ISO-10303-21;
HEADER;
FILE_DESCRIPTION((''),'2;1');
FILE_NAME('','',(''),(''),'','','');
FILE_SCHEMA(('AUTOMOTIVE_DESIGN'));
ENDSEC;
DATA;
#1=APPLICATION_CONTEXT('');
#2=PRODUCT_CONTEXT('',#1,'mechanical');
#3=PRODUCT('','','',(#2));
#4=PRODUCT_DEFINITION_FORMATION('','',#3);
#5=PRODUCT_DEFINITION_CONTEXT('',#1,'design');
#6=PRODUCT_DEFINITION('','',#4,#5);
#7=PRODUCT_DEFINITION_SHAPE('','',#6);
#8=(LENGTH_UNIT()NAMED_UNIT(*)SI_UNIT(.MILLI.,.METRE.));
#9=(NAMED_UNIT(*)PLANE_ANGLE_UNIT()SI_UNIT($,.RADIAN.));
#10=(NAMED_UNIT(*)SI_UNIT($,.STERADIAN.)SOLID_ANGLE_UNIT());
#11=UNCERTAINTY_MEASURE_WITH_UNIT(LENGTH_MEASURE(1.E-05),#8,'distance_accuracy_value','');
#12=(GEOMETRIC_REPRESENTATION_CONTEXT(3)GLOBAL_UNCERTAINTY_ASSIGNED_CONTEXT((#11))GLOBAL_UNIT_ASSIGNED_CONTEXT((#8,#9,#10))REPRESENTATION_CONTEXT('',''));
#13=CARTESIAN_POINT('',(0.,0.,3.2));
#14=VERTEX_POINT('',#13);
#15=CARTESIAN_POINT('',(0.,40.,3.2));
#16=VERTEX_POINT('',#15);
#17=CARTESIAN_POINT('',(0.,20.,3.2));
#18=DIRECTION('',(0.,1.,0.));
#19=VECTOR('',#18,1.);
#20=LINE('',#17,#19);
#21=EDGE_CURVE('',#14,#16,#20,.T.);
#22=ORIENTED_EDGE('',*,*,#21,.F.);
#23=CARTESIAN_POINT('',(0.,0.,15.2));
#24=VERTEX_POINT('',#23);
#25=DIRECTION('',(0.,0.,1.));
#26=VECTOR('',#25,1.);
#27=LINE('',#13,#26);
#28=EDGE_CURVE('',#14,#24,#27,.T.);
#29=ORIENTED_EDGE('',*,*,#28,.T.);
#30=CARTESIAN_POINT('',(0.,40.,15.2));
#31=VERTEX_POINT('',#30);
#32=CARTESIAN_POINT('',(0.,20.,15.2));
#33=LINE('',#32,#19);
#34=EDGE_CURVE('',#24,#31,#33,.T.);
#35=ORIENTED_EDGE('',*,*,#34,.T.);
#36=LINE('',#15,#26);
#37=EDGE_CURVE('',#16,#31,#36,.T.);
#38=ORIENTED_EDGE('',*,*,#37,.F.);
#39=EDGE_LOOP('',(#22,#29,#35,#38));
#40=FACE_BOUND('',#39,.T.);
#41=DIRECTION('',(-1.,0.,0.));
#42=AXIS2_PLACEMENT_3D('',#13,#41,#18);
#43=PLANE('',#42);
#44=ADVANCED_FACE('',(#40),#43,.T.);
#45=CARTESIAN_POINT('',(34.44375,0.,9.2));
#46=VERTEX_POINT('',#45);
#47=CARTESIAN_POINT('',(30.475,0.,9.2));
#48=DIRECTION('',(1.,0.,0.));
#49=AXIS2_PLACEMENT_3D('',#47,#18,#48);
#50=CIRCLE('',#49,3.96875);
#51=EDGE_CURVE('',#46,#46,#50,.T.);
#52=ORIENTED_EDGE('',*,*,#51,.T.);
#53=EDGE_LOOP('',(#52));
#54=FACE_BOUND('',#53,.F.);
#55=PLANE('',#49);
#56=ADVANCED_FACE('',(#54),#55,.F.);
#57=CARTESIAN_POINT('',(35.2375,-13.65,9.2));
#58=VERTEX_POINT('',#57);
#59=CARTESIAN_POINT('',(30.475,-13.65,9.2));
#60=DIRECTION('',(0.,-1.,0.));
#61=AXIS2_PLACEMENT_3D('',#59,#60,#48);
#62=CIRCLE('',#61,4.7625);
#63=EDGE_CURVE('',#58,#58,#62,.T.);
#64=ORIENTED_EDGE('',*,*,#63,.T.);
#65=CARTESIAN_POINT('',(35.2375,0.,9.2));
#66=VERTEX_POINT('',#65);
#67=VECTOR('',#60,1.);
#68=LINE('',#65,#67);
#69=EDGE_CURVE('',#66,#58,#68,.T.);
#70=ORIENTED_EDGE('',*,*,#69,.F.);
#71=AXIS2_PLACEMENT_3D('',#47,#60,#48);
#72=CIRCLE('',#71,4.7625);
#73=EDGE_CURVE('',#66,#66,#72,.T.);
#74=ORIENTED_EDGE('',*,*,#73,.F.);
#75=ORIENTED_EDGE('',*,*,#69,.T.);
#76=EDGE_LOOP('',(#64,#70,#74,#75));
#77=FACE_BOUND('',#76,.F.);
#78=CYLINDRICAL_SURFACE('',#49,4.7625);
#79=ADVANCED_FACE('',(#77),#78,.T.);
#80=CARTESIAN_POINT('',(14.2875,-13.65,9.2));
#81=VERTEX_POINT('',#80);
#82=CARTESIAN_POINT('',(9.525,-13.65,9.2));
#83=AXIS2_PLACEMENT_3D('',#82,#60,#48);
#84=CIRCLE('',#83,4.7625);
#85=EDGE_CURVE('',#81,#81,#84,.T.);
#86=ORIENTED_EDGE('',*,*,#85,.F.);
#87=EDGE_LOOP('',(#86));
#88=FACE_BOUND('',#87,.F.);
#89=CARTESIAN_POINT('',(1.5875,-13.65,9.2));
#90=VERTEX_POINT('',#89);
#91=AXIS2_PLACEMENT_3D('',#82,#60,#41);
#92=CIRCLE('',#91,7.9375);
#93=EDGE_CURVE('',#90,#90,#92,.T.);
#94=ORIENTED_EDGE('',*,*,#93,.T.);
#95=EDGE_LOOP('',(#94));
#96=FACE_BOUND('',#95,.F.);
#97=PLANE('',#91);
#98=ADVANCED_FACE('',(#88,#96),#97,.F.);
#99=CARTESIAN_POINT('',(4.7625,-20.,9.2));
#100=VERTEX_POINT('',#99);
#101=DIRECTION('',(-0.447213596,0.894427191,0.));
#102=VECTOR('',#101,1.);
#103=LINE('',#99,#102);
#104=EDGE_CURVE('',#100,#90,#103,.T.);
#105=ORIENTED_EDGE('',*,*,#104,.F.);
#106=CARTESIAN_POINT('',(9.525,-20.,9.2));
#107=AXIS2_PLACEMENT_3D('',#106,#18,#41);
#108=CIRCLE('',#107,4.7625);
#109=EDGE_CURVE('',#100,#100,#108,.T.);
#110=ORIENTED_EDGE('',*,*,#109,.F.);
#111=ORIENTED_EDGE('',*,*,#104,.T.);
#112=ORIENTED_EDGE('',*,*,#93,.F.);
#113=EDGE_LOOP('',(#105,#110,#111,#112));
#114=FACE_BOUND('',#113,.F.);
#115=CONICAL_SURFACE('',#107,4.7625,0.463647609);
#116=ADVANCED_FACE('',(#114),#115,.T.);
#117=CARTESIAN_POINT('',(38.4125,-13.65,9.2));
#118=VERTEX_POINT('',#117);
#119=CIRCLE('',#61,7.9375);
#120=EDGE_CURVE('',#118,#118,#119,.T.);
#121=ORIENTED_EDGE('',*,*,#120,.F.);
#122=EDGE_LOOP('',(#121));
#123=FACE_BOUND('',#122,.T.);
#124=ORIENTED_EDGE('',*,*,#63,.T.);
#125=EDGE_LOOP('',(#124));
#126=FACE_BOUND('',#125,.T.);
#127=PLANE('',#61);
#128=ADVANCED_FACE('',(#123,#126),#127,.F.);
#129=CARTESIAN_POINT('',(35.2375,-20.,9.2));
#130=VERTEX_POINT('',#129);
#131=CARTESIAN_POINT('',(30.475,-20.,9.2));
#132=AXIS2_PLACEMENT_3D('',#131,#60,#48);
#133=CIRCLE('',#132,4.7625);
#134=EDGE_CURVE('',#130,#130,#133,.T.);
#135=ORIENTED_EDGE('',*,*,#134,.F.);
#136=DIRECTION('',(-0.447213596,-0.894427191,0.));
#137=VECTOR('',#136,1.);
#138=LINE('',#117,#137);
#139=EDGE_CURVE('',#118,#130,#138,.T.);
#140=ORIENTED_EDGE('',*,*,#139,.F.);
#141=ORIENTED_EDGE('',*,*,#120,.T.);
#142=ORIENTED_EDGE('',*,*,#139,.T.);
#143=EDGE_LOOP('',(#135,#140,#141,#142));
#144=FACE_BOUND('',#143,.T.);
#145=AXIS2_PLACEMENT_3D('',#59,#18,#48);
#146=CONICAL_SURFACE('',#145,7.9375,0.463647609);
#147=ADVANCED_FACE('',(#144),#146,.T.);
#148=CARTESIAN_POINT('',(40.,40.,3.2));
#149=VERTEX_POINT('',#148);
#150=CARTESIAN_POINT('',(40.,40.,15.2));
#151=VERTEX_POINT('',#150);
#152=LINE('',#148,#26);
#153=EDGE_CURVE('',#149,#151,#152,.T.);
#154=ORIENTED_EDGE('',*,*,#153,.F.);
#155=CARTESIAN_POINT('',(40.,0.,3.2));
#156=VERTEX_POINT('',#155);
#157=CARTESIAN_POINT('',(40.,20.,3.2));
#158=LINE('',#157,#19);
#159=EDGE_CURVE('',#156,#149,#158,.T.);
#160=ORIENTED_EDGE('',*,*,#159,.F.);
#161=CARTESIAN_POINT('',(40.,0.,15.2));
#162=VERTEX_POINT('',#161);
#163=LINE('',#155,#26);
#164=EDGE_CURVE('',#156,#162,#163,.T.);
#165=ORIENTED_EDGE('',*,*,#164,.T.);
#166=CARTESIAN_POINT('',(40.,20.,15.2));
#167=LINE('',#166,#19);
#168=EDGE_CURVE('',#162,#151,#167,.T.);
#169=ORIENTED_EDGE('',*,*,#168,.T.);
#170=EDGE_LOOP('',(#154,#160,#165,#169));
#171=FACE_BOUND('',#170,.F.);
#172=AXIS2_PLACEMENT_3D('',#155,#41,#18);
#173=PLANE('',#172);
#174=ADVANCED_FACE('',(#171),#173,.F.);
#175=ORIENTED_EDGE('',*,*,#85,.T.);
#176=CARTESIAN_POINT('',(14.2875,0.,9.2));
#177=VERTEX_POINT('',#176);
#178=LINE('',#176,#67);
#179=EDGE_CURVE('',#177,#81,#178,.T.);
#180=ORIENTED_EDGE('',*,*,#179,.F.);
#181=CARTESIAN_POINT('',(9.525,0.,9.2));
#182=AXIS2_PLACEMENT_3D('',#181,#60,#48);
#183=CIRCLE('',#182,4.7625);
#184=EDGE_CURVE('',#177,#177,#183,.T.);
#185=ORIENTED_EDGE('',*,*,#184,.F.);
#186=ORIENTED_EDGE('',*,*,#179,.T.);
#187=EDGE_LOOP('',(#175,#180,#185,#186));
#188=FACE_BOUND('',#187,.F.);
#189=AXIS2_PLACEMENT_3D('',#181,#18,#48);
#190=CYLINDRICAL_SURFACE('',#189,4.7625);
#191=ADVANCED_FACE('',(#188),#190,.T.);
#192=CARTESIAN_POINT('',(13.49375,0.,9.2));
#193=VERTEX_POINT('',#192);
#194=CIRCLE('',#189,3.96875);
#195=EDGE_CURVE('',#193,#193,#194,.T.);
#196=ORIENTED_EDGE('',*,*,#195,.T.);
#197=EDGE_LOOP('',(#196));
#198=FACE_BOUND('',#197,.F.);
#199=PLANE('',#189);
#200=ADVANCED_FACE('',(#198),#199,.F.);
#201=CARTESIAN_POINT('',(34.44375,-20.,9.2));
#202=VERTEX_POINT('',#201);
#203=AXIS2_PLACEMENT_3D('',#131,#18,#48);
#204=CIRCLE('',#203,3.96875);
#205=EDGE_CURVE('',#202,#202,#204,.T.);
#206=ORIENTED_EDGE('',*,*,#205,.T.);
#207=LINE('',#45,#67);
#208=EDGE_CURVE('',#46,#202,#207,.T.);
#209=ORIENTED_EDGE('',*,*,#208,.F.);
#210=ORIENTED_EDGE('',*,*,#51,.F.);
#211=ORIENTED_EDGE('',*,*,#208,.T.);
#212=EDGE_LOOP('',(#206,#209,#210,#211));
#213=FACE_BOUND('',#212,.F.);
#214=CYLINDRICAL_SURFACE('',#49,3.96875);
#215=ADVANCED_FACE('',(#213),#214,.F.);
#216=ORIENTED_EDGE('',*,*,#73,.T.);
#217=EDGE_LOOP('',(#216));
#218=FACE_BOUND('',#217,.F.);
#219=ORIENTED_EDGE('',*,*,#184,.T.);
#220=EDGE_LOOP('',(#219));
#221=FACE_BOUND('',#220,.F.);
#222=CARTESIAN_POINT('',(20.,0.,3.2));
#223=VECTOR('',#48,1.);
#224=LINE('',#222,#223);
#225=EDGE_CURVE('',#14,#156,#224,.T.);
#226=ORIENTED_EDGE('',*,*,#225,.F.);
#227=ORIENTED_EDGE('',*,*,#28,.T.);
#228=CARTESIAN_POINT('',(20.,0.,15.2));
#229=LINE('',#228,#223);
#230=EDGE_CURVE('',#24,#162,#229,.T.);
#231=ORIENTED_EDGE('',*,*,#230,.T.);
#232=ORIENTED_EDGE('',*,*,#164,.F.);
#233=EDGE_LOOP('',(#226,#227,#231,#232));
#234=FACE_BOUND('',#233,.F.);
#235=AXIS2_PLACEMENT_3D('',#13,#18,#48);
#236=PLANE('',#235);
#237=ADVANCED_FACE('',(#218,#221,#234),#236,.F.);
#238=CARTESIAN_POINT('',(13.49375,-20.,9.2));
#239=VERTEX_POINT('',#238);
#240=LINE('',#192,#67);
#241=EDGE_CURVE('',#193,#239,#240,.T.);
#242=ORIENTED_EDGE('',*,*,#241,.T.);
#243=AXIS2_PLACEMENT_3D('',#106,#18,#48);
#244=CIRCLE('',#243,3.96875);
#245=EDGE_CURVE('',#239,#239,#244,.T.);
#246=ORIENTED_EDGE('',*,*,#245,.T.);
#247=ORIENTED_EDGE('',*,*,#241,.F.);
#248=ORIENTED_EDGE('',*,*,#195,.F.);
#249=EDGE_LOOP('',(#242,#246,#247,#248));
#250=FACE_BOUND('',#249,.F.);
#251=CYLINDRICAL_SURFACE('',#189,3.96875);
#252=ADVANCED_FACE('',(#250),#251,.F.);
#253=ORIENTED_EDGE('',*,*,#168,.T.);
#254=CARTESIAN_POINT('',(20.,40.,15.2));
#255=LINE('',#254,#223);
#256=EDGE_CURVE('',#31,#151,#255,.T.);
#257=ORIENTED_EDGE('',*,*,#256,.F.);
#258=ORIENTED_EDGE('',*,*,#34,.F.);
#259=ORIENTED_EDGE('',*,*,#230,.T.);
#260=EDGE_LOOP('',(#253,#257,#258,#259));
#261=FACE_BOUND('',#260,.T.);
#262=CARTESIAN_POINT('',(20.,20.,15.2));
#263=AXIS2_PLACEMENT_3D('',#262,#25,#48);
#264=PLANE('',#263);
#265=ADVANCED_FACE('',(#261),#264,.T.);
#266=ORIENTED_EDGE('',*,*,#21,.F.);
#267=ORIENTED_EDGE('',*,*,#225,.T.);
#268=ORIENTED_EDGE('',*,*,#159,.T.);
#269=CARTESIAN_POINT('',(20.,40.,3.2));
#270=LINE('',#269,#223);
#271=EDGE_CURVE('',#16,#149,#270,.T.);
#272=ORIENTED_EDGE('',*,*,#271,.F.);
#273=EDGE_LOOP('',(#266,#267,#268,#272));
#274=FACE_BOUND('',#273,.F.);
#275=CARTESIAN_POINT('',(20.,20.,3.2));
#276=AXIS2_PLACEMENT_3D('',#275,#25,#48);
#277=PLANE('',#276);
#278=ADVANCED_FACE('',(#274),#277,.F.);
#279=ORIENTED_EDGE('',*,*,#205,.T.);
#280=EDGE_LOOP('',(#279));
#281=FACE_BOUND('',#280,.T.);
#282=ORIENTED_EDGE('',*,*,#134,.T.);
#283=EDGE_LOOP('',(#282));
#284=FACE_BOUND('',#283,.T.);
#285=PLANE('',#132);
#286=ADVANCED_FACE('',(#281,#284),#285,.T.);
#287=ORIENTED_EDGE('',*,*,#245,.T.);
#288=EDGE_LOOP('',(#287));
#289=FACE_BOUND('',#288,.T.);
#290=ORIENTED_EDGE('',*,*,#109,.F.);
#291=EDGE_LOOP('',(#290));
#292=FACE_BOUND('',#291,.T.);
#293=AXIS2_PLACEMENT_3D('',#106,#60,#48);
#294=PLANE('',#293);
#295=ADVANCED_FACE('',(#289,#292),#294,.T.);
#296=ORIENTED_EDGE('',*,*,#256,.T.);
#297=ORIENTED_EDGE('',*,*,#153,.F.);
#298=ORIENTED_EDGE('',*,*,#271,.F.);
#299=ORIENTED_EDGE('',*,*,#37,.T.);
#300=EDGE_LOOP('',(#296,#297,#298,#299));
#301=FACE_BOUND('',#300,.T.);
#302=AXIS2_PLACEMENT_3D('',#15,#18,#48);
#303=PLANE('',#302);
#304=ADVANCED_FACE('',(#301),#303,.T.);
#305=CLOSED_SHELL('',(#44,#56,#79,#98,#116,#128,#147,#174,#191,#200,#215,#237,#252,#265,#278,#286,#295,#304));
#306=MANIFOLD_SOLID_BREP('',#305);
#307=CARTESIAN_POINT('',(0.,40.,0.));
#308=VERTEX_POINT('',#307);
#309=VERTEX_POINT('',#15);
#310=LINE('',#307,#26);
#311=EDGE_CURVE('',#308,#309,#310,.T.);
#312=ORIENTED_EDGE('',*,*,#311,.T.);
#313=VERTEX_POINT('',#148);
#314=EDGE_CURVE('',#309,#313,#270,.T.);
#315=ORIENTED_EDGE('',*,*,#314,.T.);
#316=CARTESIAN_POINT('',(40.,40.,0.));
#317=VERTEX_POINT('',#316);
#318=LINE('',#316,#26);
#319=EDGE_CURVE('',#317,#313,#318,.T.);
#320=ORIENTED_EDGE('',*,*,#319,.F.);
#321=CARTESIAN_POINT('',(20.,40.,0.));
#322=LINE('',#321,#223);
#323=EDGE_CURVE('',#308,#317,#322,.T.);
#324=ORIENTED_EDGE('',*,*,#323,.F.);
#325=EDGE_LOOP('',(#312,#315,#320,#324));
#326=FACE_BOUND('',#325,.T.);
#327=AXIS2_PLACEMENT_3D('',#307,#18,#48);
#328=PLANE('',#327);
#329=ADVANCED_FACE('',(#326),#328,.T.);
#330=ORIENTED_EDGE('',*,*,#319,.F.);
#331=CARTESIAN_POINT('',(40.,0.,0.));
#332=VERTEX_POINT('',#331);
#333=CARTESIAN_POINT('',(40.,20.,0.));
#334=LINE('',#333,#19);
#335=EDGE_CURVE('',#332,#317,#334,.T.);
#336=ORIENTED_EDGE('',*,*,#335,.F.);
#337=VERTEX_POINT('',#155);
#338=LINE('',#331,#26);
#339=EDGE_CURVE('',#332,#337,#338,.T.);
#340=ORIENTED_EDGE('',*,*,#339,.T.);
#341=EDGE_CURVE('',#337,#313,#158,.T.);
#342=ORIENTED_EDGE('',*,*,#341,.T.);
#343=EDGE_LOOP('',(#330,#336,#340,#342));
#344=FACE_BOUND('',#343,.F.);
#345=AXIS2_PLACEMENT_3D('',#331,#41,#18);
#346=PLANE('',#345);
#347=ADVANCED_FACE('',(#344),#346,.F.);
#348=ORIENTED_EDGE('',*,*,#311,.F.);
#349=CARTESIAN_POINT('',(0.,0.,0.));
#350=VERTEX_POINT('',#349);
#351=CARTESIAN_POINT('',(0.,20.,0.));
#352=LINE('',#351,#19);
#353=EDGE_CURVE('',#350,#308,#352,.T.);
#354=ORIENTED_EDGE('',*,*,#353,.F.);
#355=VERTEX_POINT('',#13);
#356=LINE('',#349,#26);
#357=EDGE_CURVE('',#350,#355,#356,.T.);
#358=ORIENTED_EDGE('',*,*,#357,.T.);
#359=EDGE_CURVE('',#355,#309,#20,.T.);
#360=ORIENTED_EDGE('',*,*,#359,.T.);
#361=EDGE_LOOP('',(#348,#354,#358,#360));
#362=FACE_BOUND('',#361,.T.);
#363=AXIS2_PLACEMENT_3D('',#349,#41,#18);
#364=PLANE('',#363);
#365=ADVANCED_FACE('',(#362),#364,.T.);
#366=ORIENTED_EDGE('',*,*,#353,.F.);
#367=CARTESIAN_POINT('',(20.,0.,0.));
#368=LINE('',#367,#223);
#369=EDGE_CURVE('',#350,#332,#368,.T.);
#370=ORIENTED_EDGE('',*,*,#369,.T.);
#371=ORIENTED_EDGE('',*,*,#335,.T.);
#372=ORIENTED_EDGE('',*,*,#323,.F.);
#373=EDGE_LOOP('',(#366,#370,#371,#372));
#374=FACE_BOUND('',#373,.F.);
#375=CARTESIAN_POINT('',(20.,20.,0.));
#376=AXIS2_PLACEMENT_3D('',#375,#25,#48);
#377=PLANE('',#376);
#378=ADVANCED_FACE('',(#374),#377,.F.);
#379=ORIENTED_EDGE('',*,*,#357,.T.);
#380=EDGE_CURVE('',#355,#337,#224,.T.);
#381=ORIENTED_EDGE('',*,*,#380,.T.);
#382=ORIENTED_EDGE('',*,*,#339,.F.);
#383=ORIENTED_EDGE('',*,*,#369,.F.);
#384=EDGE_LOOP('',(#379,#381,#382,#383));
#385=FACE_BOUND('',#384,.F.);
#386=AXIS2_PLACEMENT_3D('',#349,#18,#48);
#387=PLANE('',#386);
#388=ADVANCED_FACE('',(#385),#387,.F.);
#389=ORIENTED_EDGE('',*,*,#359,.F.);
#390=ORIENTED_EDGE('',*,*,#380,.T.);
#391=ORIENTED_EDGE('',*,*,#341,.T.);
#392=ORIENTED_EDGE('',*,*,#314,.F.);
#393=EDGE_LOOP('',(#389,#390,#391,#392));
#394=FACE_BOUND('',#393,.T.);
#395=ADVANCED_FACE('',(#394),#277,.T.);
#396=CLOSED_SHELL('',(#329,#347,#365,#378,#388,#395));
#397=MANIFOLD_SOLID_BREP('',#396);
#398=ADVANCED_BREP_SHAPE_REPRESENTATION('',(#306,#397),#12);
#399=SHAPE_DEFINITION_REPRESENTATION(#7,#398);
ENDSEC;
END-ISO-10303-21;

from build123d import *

# Parameters (mm, degrees)
F0_W      = 40
F0_H      = 40
F1_DEPTH  = 3.2
F2_W      = 40
F2_H      = 40
F3_DEPTH  = 12
F4_R      = 4.7625
F5_DEPTH  = 20
F13_D     = 7.9375
F13_DEPTH = 20.001


with BuildPart() as f1:
    # F0 (on Top) → F1 (new body)
    with BuildSketch(Plane.XY):
        with Locations((20, 20)):
            Rectangle(F0_W, F0_H)
    extrude(amount=F1_DEPTH)


with BuildPart() as f3:
    # F2 (on face) → F3 (new body)
    with BuildSketch(Plane.XY.offset(3.2)):
        with Locations((20, 20)):
            Rectangle(F2_W, F2_H)
    extrude(amount=F3_DEPTH)

    # F4 (on face) → F5 (join)
    with BuildSketch(Plane.XZ):
        with Locations((9.525, 9.2)):
            Circle(F4_R)
        with Locations((30.475, 9.2)):
            Circle(F4_R)
    extrude(amount=F5_DEPTH)

    # F10 (on 3pt) → F11 (revolve)
    with BuildSketch(Plane(origin=(0, 0, 9.2), x_dir=(1, 0, 0), z_dir=(0, 0, -1))):
        Polygon((4.7625, 13.65), (4.7625, 20), (1.5875, 13.65), align=None)
    revolve(axis=Axis((9.525, -20, 9.2), (0, -1, 0)))

    # F10 (on 3pt) → F12 (revolve)
    with BuildSketch(Plane(origin=(0, 0, 9.2), x_dir=(1, 0, 0), z_dir=(0, 0, -1))):
        Polygon((38.4125, 13.65), (35.2375, 20), (35.2375, 13.65), align=None)
    revolve(axis=Axis((30.475, -20, 9.2), (0, -1, 0)))

    # F13 (through all, one way)
    with BuildSketch(Plane(origin=(0, 0, 0), x_dir=(1, 0, 0), z_dir=(0, 1, 0))):
        with Locations((9.525, -9.2), (30.475, -9.2)):
            Circle(F13_D / 2)
    extrude(amount=-F13_DEPTH, mode=Mode.SUBTRACT)


solid = Compound([f1.part, f3.part])
